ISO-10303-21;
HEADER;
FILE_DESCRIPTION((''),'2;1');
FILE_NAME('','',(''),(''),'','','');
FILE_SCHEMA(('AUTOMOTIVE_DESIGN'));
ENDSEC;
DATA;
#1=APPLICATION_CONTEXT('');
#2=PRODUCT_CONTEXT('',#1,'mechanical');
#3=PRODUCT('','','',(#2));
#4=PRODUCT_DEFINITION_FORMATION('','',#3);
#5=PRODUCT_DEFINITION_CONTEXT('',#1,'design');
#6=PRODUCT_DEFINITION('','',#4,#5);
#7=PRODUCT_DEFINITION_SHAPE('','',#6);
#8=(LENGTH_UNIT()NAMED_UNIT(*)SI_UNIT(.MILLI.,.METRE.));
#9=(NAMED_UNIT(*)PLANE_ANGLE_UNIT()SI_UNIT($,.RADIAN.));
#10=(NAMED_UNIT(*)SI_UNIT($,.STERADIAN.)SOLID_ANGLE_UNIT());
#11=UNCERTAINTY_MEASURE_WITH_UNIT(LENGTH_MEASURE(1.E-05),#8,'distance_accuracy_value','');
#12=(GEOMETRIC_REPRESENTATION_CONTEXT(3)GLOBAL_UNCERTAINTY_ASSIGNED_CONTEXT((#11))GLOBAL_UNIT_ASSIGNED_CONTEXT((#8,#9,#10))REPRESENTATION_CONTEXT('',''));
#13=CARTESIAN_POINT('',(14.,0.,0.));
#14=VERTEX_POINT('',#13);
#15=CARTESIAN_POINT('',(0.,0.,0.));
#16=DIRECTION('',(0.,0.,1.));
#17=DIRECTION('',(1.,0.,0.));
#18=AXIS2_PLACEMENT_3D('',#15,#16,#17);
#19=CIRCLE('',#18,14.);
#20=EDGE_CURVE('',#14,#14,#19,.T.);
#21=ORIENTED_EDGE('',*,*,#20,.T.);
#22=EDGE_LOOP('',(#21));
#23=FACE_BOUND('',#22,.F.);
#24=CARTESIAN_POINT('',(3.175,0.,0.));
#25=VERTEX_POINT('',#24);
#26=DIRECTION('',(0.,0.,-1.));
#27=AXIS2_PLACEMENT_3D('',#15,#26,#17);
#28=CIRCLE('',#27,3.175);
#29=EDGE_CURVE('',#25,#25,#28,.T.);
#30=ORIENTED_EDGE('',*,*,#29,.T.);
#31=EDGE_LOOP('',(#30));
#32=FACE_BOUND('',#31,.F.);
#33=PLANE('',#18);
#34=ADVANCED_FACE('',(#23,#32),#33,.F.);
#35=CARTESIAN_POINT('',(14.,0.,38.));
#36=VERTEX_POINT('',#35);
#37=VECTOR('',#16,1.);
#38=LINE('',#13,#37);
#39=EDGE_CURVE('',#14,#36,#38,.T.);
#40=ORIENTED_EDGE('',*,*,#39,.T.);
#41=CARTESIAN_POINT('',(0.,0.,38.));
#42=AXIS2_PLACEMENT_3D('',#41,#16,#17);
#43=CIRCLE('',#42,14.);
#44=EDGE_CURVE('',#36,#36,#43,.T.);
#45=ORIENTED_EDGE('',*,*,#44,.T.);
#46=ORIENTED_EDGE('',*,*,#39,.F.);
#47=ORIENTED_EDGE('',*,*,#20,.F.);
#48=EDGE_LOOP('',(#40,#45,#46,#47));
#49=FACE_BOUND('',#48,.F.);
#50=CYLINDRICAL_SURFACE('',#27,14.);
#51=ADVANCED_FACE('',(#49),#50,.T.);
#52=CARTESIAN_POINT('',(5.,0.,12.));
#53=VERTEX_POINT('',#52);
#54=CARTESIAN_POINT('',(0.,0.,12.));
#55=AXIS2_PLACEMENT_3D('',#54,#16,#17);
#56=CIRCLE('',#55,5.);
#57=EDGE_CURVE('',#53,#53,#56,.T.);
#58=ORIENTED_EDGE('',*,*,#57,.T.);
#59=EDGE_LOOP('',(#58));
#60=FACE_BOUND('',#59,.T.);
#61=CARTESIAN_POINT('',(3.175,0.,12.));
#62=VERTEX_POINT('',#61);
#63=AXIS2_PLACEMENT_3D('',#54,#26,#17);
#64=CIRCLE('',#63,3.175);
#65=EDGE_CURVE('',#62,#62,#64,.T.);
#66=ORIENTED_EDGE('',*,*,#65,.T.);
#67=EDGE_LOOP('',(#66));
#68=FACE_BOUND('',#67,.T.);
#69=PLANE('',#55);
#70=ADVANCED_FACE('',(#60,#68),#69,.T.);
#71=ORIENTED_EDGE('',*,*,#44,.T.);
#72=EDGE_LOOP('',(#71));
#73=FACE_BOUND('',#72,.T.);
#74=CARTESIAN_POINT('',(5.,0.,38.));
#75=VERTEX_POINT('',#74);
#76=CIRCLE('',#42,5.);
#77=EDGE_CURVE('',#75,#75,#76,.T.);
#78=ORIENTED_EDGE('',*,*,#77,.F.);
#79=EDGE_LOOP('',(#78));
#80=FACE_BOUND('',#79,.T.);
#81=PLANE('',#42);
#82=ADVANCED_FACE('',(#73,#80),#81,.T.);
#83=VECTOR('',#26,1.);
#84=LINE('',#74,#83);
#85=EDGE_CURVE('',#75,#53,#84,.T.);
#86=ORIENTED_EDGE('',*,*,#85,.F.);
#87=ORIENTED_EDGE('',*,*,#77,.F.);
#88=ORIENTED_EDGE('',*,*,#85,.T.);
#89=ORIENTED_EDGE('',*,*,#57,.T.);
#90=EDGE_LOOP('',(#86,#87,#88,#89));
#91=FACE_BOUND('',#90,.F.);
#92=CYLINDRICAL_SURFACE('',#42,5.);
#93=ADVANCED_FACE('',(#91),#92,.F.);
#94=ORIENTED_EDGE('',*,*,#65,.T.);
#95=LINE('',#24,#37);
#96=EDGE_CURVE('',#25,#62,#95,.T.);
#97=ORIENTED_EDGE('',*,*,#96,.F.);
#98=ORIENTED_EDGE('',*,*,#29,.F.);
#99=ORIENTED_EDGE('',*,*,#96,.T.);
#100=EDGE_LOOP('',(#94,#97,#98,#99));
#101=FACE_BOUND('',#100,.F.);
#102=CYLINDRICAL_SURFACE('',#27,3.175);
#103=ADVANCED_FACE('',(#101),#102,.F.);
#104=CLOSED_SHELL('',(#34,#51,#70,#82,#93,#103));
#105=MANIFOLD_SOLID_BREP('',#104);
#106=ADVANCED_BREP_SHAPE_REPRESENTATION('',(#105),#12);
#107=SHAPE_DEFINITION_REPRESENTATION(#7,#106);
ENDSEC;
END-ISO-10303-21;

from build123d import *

# Parameters (mm, degrees)
SKETCH_R        = 14
PAD_DEPTH       = 38
SKETCH001_R     = 5
POCKET_DEPTH    = 26
SKETCH002_R     = 3.175
POCKET001_DEPTH = 13


with BuildPart() as part:
    # Sketch → Pad (new body)
    with BuildSketch(Plane.XY):
        Circle(SKETCH_R)
    extrude(amount=PAD_DEPTH)

    # Sketch001 → Pocket (cut)
    with BuildSketch(Plane.XY.offset(38)):
        Circle(SKETCH001_R)
    extrude(amount=-POCKET_DEPTH, mode=Mode.SUBTRACT)

    # Sketch002 → Pocket001 (cut)
    with BuildSketch(Plane(origin=(0, 0, 0), x_dir=(1, 0, 0), z_dir=(0, 0, -1))):
        Circle(SKETCH002_R)
    extrude(amount=-POCKET001_DEPTH, mode=Mode.SUBTRACT)


solid = part.part
